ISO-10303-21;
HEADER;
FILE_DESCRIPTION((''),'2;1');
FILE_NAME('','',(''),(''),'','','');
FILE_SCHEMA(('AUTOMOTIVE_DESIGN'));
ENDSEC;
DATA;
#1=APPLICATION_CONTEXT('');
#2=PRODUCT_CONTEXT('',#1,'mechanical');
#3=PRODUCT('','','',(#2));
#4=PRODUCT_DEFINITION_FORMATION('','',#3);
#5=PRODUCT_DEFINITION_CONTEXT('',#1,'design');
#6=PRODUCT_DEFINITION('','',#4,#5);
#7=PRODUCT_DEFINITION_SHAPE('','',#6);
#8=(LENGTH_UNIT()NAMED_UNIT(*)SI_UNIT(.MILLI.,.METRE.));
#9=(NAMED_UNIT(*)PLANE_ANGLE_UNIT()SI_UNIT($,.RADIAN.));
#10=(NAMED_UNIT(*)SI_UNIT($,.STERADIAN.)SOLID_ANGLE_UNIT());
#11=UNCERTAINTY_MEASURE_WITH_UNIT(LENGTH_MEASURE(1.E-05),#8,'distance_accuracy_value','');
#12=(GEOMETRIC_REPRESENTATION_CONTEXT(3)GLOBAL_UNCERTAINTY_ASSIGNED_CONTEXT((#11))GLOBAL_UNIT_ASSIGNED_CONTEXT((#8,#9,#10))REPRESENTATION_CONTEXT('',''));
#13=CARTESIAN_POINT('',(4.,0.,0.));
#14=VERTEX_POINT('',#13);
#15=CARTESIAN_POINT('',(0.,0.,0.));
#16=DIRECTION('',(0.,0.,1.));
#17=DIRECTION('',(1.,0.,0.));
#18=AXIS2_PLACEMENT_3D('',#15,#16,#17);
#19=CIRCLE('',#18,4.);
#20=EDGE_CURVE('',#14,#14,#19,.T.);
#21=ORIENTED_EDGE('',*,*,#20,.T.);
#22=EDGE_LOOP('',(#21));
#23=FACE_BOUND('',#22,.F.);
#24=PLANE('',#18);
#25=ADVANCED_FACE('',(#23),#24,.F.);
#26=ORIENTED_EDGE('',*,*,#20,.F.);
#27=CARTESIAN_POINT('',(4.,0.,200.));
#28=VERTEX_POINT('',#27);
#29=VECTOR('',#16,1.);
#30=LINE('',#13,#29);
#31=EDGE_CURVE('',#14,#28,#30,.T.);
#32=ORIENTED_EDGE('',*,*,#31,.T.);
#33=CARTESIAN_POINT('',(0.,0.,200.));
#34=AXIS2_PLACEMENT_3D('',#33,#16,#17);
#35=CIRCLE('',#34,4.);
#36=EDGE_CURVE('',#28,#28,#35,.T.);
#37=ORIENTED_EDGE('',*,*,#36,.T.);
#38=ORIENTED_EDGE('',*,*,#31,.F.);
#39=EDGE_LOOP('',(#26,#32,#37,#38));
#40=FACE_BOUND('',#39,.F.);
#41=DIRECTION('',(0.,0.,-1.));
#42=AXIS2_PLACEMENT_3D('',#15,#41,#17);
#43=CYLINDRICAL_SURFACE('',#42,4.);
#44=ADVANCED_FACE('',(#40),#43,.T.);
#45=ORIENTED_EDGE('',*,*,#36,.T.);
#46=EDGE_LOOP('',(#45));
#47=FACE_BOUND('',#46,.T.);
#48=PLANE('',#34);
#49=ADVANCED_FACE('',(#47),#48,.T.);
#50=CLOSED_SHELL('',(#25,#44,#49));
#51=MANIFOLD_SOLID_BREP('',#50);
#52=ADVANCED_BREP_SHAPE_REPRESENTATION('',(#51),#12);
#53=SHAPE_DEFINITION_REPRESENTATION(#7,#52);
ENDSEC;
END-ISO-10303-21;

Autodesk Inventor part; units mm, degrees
ref_plane "YZ Plane" through (0, 0, 0) normal (1, 0, 0) x (0, 1, 0)
ref_plane "XZ Plane" through (0, 0, 0) normal (0, 1, 0) x (-1, 0, 0)
ref_plane "XY Plane" through (0, 0, 0) normal (0, 0, 1) x (1, 0, 0)
sketch "Sketch1" plane through (0, 0, 0) normal (0, 0, 1) x (1, 0, 0)
  circle A0 centre (0, 0) radius 4
  dimension "d0" = 8
extrude "Extrusion1" add sketch "Sketch1" along normal blind 200
thread "Thread1" size "M8x1.25" class "6g" standard "ANSI Metric M Profile" full length
properties part number "SM-H05"
